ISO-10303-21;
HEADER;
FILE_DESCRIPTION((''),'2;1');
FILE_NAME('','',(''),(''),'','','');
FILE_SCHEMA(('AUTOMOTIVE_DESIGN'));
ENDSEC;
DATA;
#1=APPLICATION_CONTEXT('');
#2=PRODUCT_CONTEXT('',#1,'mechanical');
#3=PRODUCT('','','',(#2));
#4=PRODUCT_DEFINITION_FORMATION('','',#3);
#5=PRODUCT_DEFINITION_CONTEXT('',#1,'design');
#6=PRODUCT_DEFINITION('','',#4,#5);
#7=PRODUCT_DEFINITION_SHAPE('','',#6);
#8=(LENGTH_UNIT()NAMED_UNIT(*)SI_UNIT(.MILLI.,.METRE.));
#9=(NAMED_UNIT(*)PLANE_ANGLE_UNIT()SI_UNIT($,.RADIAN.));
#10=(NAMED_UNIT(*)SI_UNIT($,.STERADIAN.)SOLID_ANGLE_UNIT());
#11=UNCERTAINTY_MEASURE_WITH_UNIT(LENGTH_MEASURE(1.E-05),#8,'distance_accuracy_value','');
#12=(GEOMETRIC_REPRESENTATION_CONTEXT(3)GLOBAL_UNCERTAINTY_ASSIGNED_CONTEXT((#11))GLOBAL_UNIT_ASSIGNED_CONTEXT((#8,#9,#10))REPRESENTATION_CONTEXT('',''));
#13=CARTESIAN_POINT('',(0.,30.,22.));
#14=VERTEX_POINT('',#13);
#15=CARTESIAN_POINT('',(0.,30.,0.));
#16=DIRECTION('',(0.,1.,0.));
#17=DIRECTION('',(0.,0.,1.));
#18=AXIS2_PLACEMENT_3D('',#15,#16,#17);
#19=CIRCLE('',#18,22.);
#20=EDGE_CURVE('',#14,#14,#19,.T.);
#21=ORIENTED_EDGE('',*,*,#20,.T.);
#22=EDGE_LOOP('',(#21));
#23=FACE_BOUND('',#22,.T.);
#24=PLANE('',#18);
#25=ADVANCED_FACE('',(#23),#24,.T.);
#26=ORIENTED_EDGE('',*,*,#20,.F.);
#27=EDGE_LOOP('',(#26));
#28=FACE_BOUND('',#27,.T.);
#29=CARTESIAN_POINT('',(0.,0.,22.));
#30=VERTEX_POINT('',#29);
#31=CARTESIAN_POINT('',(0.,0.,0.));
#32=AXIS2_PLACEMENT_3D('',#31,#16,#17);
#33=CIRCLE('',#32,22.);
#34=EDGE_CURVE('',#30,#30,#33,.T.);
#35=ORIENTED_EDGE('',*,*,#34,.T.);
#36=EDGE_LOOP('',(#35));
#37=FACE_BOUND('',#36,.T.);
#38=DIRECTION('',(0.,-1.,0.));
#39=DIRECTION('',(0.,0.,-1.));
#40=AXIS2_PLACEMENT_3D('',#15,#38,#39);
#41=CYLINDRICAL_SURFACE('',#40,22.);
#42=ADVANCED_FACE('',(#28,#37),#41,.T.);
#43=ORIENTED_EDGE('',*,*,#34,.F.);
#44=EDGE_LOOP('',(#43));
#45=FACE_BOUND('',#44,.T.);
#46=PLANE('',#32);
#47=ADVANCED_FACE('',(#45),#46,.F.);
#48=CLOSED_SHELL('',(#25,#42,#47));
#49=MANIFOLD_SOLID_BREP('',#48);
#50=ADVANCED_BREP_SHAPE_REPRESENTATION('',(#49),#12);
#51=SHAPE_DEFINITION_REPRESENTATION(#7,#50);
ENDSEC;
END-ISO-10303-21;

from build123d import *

# Parameters (mm, degrees)
SK_P01_SPEAKER44MM_R  = 22
P01_SPEAKER44MM_DEPTH = 30


with BuildPart() as part:
    # SK_P01_Speaker44mm → P01_Speaker44mm (new body)
    with BuildSketch(Plane(origin=(0, 0, 0), x_dir=(1, 0, 0), z_dir=(0, 1, 0))):
        with Locations(Location((0, 0, 0), (0, 0, 270))):
            Circle(SK_P01_SPEAKER44MM_R)
    extrude(amount=P01_SPEAKER44MM_DEPTH)


solid = part.part
